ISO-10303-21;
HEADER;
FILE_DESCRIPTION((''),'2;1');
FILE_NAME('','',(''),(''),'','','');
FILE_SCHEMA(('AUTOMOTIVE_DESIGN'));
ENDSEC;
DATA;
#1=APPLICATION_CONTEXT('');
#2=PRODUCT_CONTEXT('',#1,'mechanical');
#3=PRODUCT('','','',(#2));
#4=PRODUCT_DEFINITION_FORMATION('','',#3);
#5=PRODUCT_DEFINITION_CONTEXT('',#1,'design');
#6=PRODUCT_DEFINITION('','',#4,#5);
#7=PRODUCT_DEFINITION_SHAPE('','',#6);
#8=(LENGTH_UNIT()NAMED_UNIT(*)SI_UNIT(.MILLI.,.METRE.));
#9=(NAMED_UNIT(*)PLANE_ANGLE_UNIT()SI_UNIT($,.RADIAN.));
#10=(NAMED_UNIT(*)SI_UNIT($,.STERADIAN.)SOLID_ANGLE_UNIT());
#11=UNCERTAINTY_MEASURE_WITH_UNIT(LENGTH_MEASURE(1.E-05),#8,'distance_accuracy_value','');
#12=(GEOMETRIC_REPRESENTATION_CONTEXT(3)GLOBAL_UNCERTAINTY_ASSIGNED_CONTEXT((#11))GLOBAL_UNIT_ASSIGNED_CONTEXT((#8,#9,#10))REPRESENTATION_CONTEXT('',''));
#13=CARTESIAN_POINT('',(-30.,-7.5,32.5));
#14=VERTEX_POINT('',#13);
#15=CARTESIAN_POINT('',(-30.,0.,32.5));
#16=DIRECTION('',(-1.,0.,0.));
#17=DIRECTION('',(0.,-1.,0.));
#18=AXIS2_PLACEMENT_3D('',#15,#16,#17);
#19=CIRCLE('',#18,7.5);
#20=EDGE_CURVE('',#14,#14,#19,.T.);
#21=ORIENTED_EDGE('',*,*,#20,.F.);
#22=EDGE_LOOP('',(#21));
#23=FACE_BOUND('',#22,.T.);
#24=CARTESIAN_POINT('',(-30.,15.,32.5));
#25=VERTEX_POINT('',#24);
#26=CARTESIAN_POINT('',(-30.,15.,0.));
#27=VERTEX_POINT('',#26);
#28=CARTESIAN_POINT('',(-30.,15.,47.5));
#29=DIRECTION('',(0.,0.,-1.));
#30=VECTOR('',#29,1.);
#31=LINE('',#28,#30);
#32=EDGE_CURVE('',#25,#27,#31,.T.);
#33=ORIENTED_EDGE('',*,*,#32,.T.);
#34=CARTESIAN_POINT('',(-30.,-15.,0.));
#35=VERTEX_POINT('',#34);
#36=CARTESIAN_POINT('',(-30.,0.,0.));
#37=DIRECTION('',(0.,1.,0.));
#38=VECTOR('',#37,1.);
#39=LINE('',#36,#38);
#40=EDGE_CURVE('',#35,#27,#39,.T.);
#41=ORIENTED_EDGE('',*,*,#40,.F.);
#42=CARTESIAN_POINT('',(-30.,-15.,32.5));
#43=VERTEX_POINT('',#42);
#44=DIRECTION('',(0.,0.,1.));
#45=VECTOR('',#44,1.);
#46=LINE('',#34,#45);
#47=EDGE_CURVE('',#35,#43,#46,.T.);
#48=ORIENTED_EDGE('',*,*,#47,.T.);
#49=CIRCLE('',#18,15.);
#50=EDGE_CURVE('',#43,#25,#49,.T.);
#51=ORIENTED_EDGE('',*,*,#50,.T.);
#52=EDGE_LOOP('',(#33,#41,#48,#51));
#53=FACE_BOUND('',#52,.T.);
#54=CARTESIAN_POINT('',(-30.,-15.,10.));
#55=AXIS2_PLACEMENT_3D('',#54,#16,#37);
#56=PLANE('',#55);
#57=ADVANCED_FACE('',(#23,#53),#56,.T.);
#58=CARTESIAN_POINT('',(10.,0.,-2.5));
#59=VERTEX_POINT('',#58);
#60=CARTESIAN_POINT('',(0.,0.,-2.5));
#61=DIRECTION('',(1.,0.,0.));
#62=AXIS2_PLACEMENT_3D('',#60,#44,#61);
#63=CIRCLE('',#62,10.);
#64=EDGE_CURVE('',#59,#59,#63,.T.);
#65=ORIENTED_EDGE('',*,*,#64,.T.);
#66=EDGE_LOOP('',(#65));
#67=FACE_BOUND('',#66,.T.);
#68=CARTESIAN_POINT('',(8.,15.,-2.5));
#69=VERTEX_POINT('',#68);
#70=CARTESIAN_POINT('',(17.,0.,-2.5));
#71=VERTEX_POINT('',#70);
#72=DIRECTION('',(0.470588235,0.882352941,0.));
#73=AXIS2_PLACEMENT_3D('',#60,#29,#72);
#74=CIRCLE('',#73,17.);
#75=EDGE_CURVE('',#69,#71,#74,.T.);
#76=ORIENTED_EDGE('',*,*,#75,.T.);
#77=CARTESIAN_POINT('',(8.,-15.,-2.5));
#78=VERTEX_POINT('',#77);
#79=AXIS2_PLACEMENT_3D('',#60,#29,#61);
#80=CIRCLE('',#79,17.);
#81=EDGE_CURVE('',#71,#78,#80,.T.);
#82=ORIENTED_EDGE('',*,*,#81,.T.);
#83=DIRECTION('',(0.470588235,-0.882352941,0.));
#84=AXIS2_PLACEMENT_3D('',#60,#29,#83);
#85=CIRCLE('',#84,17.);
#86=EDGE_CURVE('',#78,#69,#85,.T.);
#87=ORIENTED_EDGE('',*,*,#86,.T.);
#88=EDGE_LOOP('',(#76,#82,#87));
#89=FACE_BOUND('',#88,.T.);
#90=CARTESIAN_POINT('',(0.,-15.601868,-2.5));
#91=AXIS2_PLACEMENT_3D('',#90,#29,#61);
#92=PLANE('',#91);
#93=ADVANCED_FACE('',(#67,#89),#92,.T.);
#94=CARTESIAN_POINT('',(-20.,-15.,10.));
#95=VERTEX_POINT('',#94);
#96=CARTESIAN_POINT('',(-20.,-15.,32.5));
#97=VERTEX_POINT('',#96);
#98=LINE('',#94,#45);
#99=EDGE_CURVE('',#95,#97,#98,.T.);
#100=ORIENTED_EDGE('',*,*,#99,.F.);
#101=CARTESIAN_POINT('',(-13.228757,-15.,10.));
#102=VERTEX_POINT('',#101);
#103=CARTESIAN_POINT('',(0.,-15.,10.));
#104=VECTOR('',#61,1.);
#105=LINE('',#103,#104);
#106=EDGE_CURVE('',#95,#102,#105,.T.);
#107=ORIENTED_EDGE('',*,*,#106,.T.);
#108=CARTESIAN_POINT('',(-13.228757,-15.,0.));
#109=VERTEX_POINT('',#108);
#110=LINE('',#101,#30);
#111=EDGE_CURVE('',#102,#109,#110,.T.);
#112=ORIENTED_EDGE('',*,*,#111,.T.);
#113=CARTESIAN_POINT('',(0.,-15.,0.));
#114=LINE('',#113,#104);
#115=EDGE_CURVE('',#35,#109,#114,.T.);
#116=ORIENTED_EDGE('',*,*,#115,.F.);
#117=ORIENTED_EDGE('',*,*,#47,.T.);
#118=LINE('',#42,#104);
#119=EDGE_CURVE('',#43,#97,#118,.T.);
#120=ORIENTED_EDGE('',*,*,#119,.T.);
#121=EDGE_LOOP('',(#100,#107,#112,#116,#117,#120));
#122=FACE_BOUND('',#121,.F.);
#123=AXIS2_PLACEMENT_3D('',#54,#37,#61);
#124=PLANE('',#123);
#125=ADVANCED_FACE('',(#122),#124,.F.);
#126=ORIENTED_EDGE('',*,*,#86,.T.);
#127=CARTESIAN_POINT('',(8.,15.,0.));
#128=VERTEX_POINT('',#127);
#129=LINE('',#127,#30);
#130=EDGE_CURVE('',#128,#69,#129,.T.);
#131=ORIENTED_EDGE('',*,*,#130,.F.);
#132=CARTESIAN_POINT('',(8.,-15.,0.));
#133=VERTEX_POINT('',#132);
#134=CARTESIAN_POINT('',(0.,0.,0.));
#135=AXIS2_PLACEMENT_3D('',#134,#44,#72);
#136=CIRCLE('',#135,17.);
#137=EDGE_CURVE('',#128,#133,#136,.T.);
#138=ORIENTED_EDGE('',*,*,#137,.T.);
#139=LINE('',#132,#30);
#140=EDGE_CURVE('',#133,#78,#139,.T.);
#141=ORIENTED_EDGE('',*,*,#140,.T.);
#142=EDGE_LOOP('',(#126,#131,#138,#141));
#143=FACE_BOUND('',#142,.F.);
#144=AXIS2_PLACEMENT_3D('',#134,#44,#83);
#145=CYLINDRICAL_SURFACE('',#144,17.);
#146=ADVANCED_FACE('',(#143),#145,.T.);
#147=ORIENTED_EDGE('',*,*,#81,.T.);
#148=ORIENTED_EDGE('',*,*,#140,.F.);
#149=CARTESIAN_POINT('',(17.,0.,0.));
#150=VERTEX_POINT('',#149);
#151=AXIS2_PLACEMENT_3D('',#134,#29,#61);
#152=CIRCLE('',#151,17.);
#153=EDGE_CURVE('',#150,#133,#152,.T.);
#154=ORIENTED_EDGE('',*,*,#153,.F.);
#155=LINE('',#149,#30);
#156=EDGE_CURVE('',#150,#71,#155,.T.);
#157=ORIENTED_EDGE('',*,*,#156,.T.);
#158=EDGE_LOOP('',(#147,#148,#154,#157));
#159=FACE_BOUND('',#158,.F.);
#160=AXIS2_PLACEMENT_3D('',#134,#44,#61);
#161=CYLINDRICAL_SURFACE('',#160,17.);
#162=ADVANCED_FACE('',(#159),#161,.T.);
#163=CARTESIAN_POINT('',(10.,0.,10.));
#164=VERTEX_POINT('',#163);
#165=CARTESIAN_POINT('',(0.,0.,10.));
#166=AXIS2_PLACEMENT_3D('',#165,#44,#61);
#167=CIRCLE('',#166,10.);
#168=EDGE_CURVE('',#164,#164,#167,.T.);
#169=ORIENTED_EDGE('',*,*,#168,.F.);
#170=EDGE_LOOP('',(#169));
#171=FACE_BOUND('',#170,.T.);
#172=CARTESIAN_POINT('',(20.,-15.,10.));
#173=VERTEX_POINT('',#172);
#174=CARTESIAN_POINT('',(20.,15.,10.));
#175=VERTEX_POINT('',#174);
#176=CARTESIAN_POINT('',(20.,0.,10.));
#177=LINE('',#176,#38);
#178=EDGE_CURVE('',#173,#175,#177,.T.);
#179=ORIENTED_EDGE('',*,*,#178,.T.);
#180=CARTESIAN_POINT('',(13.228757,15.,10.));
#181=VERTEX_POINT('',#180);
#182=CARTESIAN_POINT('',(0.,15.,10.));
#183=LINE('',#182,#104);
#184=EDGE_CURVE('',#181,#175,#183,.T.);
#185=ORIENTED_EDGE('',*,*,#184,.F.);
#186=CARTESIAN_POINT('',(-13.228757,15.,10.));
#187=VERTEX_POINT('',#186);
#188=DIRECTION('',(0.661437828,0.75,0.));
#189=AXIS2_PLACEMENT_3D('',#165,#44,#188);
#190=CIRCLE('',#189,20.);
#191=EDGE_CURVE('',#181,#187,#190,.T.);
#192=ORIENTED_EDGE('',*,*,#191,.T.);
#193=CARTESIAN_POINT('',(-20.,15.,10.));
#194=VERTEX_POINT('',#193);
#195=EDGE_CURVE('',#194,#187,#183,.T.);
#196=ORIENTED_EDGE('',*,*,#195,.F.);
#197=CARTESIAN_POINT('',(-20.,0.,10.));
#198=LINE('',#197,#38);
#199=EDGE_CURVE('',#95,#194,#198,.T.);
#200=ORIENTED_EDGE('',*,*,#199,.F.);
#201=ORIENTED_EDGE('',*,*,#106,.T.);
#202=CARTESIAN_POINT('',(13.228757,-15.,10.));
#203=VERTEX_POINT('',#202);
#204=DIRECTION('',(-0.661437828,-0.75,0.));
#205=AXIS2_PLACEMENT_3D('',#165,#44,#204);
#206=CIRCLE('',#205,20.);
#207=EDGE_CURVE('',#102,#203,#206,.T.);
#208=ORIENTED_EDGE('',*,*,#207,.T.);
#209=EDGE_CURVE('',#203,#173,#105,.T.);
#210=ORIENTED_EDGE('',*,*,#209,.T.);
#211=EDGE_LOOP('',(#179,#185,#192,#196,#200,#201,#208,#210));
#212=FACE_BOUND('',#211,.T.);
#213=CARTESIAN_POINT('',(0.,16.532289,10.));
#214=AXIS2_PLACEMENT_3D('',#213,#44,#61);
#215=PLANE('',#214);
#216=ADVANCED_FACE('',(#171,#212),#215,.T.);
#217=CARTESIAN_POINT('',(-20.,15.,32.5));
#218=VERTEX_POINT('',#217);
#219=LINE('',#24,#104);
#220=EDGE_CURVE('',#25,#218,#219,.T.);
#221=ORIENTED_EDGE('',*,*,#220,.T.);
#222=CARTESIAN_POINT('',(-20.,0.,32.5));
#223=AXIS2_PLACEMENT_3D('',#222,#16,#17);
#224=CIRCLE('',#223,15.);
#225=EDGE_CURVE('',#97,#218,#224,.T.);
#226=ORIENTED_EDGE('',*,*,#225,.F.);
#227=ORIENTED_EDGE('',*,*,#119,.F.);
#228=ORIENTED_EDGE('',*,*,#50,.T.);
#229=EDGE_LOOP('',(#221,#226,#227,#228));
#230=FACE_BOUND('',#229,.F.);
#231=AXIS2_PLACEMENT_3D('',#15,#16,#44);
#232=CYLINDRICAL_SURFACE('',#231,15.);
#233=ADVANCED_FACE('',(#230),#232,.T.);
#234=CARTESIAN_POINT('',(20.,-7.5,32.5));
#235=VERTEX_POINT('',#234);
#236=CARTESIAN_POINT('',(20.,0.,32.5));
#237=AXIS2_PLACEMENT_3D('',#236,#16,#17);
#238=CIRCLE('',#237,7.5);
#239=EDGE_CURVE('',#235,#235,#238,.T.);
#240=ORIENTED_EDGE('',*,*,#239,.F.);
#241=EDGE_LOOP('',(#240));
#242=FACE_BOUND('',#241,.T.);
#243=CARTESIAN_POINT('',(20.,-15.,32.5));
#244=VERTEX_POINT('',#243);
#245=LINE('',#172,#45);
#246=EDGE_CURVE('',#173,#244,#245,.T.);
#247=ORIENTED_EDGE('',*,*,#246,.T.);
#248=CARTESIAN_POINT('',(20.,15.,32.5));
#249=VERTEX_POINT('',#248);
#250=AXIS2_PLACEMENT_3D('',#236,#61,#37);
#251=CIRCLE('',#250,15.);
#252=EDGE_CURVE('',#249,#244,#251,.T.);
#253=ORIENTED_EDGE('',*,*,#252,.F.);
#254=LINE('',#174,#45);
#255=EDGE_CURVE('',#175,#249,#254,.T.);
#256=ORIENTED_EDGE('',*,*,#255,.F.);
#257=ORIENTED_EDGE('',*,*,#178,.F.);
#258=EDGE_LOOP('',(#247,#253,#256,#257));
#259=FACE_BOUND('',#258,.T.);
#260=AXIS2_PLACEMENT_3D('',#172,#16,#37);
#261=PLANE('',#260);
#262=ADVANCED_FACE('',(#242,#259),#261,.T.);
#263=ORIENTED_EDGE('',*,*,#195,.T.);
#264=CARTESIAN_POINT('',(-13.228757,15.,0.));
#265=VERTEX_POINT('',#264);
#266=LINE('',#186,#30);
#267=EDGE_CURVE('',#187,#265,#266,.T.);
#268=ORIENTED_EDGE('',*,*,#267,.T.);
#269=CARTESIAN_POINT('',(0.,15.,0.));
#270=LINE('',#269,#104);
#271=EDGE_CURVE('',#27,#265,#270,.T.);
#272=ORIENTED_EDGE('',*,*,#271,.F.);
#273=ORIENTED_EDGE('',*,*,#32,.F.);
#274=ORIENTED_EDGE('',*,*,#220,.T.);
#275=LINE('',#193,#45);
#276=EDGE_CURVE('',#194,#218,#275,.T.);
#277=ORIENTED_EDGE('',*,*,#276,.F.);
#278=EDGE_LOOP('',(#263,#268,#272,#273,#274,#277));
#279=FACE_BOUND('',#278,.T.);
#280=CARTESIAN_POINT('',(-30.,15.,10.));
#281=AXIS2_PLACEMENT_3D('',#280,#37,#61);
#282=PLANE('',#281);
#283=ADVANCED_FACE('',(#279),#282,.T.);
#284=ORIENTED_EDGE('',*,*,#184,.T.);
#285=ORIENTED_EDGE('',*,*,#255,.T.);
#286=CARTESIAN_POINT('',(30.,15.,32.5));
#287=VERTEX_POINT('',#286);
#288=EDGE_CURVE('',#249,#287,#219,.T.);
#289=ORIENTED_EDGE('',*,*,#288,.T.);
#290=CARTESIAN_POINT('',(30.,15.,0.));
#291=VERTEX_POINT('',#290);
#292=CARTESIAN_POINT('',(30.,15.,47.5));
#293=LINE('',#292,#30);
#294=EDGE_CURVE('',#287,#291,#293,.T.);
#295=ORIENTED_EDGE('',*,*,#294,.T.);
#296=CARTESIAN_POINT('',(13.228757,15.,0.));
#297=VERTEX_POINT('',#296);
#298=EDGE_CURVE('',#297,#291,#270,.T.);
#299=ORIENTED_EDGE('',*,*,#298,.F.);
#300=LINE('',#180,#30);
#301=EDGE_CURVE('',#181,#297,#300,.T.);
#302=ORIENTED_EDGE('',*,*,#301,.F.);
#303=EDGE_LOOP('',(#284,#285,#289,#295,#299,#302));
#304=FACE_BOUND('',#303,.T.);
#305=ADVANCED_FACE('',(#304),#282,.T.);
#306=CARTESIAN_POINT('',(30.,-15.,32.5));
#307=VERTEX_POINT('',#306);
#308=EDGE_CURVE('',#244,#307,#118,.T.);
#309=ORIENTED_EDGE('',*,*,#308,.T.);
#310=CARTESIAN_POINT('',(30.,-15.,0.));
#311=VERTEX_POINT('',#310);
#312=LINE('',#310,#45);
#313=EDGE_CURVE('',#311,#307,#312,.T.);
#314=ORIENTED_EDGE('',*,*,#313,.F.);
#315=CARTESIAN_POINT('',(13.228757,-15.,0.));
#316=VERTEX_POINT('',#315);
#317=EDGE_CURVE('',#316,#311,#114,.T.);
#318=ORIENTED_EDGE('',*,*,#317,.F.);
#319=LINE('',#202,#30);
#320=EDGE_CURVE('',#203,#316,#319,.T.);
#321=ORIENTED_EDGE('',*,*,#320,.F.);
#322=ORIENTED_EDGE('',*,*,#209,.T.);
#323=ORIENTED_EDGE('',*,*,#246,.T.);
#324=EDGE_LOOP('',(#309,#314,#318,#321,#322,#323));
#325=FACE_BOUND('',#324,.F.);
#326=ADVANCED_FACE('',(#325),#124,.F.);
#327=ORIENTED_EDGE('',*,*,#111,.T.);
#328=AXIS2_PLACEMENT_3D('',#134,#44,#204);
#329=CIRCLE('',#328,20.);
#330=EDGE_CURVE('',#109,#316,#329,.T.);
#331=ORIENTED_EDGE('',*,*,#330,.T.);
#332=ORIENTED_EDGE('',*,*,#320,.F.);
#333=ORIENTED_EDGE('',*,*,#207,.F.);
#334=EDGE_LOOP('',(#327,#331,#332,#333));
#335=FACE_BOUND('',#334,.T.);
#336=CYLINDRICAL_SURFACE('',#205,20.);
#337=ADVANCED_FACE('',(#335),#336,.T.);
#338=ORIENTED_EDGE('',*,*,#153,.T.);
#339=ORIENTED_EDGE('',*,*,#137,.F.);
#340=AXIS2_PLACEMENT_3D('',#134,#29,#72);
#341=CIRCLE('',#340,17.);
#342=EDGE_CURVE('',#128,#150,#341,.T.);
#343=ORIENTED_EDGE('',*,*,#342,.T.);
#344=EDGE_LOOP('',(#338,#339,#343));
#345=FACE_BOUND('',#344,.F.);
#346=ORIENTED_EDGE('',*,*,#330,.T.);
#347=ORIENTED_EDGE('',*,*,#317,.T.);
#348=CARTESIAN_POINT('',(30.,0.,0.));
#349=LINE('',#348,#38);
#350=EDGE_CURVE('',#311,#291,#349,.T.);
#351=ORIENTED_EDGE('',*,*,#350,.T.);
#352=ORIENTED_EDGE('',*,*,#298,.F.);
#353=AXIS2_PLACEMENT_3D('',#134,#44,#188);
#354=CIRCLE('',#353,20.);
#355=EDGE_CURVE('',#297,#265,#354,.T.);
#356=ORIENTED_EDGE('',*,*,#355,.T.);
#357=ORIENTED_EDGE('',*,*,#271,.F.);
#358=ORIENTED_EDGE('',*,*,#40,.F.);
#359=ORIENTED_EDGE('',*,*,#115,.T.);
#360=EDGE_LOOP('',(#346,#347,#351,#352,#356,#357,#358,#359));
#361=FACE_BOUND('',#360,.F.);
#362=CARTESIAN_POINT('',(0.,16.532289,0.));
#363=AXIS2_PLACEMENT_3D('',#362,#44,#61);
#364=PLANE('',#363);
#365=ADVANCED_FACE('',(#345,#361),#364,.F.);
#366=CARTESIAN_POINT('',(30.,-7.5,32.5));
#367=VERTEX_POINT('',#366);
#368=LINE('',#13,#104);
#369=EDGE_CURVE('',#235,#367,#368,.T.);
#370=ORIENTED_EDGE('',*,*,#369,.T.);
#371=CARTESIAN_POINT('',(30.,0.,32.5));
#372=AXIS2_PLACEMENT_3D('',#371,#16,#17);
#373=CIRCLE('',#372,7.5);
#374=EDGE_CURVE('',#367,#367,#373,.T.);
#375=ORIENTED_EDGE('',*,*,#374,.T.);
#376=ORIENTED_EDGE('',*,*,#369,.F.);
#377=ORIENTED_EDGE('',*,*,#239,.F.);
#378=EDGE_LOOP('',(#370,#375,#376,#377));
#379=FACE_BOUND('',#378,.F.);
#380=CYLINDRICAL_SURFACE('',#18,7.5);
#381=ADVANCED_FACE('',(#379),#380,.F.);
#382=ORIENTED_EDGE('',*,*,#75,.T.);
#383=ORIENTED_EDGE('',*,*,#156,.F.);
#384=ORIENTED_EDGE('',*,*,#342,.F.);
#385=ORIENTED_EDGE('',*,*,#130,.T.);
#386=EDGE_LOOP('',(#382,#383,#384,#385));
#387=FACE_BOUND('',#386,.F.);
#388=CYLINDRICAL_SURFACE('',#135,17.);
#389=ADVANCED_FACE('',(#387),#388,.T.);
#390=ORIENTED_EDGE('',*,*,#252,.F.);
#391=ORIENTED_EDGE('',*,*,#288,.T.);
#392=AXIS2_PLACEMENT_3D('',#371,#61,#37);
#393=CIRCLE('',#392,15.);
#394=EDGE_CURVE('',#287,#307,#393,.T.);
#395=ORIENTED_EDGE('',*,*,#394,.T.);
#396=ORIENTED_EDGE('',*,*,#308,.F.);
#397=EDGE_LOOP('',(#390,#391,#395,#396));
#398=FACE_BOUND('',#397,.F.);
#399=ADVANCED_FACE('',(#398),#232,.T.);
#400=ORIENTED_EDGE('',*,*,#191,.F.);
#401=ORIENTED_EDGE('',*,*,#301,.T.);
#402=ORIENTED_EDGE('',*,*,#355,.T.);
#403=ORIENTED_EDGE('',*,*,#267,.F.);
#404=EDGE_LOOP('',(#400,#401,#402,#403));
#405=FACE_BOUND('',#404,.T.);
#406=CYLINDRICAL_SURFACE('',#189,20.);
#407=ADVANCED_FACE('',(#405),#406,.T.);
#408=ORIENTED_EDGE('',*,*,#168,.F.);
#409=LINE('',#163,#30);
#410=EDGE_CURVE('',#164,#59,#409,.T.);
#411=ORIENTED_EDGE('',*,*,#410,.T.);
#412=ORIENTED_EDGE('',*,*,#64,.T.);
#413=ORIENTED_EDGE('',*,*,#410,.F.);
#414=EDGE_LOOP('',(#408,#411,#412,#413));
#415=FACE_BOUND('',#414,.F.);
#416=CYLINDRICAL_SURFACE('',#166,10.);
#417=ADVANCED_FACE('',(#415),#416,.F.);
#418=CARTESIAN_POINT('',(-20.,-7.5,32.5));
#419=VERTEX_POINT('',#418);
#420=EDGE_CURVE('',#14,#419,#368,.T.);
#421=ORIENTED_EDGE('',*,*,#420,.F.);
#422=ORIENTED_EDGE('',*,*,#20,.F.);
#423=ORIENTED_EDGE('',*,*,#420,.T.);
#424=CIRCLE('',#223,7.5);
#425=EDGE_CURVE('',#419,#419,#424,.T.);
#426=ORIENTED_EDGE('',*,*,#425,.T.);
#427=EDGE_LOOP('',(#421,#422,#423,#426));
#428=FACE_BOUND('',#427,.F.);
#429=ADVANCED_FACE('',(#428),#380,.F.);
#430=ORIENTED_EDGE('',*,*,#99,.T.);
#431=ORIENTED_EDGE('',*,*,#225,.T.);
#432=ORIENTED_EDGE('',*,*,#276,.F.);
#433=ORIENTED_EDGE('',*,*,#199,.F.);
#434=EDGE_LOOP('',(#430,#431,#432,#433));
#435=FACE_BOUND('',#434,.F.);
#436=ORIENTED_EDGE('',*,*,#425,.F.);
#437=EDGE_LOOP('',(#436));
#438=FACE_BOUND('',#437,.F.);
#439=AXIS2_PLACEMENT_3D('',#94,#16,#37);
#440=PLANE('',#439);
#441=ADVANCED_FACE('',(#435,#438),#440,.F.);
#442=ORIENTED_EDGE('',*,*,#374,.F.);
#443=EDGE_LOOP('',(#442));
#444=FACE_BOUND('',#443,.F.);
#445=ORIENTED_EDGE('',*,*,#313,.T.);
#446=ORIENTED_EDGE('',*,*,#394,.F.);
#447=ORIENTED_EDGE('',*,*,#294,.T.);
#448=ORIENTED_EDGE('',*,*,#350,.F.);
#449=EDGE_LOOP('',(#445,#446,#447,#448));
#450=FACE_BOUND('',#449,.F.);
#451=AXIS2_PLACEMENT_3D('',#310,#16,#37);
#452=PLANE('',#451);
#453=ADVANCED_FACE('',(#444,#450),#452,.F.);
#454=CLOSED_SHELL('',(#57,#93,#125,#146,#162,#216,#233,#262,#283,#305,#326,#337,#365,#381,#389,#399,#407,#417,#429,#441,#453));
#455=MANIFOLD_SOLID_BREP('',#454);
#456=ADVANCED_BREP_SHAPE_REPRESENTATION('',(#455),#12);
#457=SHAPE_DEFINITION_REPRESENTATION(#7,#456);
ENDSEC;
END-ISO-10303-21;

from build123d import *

# Parameters (mm, degrees)
F0_W      = 60
F0_H      = 30
F1_DEPTH  = 10
F2_W      = 10
F2_H      = 30
F3_DEPTH  = 37.5
F5_DEPTH  = 60.001
F6_R      = 7.5
F7_DEPTH  = 60.001
F9_DEPTH  = 2.5
F11_DEPTH = 10
F12_R     = 10
F13_DEPTH = 25


with BuildPart() as f1:
    # F0 (on Top) → F1 (new body)
    with BuildSketch(Plane.XY):
        Rectangle(F0_W, F0_H)
    extrude(amount=F1_DEPTH)

    # F2 (on face) → F3 (join)
    with BuildSketch(Plane.XY.offset(10)):
        with Locations((-25, 0)):
            Rectangle(F2_W, F2_H)
        with Locations((25, 0)):
            Rectangle(F2_W, F2_H)
    extrude(amount=F3_DEPTH)

    # F4 (on face) → F5 (cut, through all)
    with BuildSketch(Plane(origin=(-30, 0, 0), x_dir=(0, -1, 0), z_dir=(-1, 0, 0))):
        with BuildLine():
            ThreePointArc((-15, 32.5), (-10.6066017178, 43.1066017178), (0, 47.5))
            Line((0, 47.5), (-15, 47.5))
            Line((-15, 47.5), (-15, 32.5))
        make_face()
        with BuildLine():
            ThreePointArc((0, 47.5), (10.6066017178, 43.1066017178), (15, 32.5))
            Line((15, 32.5), (15, 47.5))
            Line((15, 47.5), (0, 47.5))
        make_face()
    extrude(amount=-F5_DEPTH, mode=Mode.SUBTRACT)

    # F6 (on face) → F7 (cut, through all)
    with BuildSketch(Plane(origin=(-30, 0, 0), x_dir=(0, -1, 0), z_dir=(-1, 0, 0))):
        with Locations((0, 32.5)):
            Circle(F6_R)
    extrude(amount=-F7_DEPTH, mode=Mode.SUBTRACT)

    # F8 (on face) → F9 (join)
    with BuildSketch(Plane(origin=(0, 0, 0), x_dir=(1, 0, 0), z_dir=(0, 0, -1))):
        with BuildLine():
            Line((-8, 15), (8, 15))
            ThreePointArc((8, 15), (0, 17), (-8, 15))
        make_face()
        with BuildLine():
            ThreePointArc((8, -15), (14.5773797371, -8.7464278423), (17, 0))
            ThreePointArc((17, 0), (14.5773797371, 8.7464278423), (8, 15))
            Line((8, 15), (-8, 15))
            ThreePointArc((-8, 15), (-17, 0), (-8, -15))
            Line((-8, -15), (8, -15))
        make_face()
        with BuildLine():
            ThreePointArc((-8, -15), (0, -17), (8, -15))
            Line((8, -15), (-8, -15))
        make_face()
    extrude(amount=F9_DEPTH)

    # F10 (on face) → F11 (join)
    with BuildSketch(Plane.XY.offset(10)):
        with BuildLine():
            Line((-13.2287565553, 15), (13.2287565553, 15))
            ThreePointArc((13.2287565553, 15), (0, 20), (-13.2287565553, 15))
        make_face()
        with BuildLine():
            Line((13.2287565553, -15), (-13.2287565553, -15))
            ThreePointArc((-13.2287565553, -15), (0, -20), (13.2287565553, -15))
        make_face()
    extrude(amount=-F11_DEPTH)

    # F12 (on face) → F13 (cut)
    with BuildSketch(Plane.XY.offset(10)):
        Circle(F12_R)
    extrude(amount=-F13_DEPTH, mode=Mode.SUBTRACT)


solid = f1.part
